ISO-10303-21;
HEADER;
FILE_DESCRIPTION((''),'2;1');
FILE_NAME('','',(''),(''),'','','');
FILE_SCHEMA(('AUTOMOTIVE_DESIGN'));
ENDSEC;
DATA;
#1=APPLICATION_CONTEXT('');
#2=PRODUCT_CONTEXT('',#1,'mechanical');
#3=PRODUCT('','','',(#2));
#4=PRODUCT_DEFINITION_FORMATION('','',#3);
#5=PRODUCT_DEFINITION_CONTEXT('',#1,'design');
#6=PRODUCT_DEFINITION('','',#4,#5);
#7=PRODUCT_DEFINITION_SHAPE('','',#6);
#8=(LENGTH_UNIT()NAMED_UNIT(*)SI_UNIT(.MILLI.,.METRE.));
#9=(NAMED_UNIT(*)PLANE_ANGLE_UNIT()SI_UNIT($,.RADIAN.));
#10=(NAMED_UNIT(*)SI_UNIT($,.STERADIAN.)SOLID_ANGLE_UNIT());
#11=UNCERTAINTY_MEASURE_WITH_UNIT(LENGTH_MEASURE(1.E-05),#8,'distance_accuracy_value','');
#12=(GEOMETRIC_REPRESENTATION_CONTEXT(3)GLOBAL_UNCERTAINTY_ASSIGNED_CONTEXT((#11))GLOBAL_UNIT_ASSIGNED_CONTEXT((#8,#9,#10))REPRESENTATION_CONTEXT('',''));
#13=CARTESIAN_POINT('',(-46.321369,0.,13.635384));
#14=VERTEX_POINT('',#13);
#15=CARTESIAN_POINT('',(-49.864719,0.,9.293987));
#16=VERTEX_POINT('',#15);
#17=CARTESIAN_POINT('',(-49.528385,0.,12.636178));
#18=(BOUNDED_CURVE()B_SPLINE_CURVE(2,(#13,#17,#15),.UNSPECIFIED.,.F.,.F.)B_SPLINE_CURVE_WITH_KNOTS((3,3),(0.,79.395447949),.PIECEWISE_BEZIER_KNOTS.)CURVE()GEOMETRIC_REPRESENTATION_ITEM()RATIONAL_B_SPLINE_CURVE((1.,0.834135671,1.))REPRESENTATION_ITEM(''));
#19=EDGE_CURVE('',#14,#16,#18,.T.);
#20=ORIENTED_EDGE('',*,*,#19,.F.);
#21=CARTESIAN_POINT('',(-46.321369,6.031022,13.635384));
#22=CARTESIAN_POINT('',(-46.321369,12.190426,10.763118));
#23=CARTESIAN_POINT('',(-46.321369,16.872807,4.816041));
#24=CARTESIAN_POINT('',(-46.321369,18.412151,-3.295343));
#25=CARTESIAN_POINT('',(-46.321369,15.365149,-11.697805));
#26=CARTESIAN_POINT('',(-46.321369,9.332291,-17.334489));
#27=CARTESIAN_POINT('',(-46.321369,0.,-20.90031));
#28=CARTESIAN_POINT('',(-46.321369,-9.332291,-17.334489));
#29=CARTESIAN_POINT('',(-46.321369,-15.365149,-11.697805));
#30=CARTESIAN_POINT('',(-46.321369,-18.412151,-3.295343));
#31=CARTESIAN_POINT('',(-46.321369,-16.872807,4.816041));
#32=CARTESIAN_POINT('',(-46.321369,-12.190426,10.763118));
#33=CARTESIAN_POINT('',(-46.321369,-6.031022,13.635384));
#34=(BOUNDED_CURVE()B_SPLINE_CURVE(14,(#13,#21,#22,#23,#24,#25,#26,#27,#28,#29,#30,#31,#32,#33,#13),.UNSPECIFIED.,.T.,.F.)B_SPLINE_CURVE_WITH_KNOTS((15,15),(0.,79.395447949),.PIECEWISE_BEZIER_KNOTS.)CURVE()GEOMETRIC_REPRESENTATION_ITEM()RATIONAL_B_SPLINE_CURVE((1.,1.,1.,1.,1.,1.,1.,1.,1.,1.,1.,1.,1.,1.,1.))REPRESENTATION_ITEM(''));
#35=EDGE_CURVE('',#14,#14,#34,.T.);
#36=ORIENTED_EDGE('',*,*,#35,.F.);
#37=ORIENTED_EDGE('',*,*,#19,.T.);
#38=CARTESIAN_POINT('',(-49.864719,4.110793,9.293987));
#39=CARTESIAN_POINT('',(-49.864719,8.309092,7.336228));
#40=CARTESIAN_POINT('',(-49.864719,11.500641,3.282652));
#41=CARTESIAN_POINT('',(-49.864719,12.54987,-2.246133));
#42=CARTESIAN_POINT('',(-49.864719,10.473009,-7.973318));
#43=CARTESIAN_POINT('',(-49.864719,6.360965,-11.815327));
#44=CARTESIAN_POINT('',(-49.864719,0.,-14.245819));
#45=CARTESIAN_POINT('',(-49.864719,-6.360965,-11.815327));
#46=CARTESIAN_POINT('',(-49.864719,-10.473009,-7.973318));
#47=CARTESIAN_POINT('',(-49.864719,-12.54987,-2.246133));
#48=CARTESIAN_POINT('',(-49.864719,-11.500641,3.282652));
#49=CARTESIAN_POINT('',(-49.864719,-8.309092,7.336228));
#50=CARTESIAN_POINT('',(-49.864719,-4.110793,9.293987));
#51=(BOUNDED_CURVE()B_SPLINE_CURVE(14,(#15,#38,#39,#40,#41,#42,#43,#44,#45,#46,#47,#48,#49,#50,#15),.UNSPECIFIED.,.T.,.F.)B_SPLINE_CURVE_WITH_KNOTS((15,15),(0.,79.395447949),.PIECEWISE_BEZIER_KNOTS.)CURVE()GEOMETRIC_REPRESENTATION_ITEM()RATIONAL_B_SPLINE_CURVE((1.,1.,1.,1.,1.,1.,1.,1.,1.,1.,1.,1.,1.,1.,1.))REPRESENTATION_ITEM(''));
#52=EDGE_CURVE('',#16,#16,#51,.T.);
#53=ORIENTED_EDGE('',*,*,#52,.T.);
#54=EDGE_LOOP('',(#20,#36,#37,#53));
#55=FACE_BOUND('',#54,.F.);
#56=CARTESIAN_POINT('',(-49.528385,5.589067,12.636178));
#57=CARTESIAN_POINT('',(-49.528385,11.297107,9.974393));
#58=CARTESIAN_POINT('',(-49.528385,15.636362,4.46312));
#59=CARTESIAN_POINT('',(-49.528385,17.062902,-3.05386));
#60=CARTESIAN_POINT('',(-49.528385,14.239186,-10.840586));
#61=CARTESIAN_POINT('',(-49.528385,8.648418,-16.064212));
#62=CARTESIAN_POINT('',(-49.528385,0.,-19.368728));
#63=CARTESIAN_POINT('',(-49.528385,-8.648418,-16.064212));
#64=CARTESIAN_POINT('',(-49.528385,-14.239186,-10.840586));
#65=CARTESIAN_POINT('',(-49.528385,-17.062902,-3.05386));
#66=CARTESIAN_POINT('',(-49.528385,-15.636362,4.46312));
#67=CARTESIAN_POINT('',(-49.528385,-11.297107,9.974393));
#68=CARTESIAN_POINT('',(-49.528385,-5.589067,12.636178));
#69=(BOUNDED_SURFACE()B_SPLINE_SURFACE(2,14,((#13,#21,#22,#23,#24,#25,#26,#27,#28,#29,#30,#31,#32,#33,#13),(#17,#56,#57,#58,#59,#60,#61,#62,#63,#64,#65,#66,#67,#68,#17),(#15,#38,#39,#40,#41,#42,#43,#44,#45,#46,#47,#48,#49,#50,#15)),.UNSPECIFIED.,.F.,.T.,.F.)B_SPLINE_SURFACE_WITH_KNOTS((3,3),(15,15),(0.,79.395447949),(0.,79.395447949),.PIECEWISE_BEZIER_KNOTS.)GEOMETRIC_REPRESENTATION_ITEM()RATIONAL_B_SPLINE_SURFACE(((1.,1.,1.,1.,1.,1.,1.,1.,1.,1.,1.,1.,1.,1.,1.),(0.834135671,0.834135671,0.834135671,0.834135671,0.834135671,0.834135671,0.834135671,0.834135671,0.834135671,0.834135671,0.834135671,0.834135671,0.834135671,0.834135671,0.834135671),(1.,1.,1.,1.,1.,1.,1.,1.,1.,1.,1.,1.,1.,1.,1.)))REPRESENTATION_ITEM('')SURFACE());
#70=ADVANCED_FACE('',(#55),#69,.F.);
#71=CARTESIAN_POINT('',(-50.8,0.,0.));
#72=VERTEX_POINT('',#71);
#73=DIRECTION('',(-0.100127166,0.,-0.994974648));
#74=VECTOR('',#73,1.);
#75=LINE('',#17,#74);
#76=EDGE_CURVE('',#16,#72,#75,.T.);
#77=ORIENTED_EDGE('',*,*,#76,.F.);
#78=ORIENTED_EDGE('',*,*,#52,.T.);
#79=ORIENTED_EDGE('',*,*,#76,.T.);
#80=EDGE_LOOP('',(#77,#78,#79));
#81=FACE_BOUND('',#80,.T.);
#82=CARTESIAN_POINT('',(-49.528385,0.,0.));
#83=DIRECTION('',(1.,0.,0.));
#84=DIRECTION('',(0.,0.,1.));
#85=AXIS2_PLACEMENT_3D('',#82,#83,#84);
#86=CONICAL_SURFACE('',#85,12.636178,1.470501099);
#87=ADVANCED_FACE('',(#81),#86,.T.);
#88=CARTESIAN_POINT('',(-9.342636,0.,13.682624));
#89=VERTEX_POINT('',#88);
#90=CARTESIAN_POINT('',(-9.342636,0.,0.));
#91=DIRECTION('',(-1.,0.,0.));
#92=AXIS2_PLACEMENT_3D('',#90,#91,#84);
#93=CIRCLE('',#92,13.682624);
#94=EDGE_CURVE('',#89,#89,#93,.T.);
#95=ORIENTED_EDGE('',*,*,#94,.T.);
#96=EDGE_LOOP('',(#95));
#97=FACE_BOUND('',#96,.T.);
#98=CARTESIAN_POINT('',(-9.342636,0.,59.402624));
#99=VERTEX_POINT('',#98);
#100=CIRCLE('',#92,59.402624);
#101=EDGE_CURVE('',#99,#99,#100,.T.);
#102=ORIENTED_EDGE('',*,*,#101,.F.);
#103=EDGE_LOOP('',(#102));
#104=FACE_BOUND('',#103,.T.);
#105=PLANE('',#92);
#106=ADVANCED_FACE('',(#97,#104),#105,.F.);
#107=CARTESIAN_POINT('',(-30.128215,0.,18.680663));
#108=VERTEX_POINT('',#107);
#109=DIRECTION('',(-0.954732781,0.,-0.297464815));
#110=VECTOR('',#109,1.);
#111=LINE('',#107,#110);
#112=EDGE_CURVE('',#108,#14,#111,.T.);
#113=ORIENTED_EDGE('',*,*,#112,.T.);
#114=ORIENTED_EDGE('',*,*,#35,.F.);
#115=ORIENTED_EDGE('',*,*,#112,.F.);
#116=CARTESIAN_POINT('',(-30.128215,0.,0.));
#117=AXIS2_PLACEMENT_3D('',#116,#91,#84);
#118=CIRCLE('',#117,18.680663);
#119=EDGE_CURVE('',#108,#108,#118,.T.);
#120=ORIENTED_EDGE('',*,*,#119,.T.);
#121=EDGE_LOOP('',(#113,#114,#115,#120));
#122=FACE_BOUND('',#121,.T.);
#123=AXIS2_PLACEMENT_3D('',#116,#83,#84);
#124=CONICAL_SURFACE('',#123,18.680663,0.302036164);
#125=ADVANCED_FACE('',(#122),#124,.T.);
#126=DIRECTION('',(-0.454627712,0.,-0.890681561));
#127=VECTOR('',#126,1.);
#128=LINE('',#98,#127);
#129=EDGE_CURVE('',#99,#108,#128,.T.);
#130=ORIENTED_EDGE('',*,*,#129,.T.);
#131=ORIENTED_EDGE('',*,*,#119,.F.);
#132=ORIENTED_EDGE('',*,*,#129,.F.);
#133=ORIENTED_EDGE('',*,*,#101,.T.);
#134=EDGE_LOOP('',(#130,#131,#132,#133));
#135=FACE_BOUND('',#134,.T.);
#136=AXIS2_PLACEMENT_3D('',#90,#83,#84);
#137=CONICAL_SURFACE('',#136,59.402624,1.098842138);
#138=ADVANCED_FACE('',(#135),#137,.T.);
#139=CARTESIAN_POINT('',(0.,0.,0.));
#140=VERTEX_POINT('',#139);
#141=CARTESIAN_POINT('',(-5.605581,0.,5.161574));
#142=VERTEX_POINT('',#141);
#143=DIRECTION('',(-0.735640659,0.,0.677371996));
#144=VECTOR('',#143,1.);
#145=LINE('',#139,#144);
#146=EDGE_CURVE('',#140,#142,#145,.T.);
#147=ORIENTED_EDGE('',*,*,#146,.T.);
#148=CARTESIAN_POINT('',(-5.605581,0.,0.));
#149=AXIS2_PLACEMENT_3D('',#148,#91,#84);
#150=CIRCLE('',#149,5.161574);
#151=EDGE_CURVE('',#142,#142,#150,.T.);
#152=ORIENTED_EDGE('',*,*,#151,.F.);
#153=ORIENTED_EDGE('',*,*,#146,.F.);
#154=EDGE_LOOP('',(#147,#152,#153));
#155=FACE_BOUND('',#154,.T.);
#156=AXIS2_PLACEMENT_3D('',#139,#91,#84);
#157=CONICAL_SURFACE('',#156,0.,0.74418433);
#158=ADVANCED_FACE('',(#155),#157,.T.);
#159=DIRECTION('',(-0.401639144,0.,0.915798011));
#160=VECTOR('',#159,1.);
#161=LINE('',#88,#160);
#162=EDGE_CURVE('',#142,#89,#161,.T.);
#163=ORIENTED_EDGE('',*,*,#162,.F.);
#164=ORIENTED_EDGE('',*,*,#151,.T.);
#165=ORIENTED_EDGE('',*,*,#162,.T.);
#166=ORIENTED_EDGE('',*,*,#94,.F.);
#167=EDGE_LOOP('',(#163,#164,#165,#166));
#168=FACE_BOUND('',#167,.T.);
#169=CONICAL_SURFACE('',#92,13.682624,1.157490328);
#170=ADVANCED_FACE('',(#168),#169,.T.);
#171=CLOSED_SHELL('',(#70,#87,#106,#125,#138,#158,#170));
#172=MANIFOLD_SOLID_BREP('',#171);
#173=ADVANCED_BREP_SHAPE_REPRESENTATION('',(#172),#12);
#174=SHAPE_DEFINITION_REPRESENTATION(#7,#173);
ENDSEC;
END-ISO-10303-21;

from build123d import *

# Parameters (mm, degrees)
F2_SIZE = 5.08
F3_R    = 5.08


with BuildPart() as f1:
    # F0 (on Front) → F1 (revolve)
    with BuildSketch(Plane.XZ):
        Polygon((-30.128215, 18.680663), (-49.528385, 12.636178), (-50.8, 0), (0, 0), (-9.342636, 8.602624), (-9.342636, 59.402624), align=None)
    revolve(axis=Axis((-25.4, 0, 0), (-1, 0, 0)))

    # F2
    f2_edges = [f1.edges().sort_by_distance(p)[0] for p in [
        (-9.342636, 0, -8.602624),
        (-4.671318, 0, 4.301312),
    ]]
    chamfer(f2_edges, length=F2_SIZE)

    # F3
    f3_edges = [f1.edges().sort_by_distance(p)[0] for p in [
        (-49.528385, 0, -12.636178),
        (-50.164193, 0, 6.318089),
    ]]
    fillet(f3_edges, radius=F3_R)


solid = f1.part
